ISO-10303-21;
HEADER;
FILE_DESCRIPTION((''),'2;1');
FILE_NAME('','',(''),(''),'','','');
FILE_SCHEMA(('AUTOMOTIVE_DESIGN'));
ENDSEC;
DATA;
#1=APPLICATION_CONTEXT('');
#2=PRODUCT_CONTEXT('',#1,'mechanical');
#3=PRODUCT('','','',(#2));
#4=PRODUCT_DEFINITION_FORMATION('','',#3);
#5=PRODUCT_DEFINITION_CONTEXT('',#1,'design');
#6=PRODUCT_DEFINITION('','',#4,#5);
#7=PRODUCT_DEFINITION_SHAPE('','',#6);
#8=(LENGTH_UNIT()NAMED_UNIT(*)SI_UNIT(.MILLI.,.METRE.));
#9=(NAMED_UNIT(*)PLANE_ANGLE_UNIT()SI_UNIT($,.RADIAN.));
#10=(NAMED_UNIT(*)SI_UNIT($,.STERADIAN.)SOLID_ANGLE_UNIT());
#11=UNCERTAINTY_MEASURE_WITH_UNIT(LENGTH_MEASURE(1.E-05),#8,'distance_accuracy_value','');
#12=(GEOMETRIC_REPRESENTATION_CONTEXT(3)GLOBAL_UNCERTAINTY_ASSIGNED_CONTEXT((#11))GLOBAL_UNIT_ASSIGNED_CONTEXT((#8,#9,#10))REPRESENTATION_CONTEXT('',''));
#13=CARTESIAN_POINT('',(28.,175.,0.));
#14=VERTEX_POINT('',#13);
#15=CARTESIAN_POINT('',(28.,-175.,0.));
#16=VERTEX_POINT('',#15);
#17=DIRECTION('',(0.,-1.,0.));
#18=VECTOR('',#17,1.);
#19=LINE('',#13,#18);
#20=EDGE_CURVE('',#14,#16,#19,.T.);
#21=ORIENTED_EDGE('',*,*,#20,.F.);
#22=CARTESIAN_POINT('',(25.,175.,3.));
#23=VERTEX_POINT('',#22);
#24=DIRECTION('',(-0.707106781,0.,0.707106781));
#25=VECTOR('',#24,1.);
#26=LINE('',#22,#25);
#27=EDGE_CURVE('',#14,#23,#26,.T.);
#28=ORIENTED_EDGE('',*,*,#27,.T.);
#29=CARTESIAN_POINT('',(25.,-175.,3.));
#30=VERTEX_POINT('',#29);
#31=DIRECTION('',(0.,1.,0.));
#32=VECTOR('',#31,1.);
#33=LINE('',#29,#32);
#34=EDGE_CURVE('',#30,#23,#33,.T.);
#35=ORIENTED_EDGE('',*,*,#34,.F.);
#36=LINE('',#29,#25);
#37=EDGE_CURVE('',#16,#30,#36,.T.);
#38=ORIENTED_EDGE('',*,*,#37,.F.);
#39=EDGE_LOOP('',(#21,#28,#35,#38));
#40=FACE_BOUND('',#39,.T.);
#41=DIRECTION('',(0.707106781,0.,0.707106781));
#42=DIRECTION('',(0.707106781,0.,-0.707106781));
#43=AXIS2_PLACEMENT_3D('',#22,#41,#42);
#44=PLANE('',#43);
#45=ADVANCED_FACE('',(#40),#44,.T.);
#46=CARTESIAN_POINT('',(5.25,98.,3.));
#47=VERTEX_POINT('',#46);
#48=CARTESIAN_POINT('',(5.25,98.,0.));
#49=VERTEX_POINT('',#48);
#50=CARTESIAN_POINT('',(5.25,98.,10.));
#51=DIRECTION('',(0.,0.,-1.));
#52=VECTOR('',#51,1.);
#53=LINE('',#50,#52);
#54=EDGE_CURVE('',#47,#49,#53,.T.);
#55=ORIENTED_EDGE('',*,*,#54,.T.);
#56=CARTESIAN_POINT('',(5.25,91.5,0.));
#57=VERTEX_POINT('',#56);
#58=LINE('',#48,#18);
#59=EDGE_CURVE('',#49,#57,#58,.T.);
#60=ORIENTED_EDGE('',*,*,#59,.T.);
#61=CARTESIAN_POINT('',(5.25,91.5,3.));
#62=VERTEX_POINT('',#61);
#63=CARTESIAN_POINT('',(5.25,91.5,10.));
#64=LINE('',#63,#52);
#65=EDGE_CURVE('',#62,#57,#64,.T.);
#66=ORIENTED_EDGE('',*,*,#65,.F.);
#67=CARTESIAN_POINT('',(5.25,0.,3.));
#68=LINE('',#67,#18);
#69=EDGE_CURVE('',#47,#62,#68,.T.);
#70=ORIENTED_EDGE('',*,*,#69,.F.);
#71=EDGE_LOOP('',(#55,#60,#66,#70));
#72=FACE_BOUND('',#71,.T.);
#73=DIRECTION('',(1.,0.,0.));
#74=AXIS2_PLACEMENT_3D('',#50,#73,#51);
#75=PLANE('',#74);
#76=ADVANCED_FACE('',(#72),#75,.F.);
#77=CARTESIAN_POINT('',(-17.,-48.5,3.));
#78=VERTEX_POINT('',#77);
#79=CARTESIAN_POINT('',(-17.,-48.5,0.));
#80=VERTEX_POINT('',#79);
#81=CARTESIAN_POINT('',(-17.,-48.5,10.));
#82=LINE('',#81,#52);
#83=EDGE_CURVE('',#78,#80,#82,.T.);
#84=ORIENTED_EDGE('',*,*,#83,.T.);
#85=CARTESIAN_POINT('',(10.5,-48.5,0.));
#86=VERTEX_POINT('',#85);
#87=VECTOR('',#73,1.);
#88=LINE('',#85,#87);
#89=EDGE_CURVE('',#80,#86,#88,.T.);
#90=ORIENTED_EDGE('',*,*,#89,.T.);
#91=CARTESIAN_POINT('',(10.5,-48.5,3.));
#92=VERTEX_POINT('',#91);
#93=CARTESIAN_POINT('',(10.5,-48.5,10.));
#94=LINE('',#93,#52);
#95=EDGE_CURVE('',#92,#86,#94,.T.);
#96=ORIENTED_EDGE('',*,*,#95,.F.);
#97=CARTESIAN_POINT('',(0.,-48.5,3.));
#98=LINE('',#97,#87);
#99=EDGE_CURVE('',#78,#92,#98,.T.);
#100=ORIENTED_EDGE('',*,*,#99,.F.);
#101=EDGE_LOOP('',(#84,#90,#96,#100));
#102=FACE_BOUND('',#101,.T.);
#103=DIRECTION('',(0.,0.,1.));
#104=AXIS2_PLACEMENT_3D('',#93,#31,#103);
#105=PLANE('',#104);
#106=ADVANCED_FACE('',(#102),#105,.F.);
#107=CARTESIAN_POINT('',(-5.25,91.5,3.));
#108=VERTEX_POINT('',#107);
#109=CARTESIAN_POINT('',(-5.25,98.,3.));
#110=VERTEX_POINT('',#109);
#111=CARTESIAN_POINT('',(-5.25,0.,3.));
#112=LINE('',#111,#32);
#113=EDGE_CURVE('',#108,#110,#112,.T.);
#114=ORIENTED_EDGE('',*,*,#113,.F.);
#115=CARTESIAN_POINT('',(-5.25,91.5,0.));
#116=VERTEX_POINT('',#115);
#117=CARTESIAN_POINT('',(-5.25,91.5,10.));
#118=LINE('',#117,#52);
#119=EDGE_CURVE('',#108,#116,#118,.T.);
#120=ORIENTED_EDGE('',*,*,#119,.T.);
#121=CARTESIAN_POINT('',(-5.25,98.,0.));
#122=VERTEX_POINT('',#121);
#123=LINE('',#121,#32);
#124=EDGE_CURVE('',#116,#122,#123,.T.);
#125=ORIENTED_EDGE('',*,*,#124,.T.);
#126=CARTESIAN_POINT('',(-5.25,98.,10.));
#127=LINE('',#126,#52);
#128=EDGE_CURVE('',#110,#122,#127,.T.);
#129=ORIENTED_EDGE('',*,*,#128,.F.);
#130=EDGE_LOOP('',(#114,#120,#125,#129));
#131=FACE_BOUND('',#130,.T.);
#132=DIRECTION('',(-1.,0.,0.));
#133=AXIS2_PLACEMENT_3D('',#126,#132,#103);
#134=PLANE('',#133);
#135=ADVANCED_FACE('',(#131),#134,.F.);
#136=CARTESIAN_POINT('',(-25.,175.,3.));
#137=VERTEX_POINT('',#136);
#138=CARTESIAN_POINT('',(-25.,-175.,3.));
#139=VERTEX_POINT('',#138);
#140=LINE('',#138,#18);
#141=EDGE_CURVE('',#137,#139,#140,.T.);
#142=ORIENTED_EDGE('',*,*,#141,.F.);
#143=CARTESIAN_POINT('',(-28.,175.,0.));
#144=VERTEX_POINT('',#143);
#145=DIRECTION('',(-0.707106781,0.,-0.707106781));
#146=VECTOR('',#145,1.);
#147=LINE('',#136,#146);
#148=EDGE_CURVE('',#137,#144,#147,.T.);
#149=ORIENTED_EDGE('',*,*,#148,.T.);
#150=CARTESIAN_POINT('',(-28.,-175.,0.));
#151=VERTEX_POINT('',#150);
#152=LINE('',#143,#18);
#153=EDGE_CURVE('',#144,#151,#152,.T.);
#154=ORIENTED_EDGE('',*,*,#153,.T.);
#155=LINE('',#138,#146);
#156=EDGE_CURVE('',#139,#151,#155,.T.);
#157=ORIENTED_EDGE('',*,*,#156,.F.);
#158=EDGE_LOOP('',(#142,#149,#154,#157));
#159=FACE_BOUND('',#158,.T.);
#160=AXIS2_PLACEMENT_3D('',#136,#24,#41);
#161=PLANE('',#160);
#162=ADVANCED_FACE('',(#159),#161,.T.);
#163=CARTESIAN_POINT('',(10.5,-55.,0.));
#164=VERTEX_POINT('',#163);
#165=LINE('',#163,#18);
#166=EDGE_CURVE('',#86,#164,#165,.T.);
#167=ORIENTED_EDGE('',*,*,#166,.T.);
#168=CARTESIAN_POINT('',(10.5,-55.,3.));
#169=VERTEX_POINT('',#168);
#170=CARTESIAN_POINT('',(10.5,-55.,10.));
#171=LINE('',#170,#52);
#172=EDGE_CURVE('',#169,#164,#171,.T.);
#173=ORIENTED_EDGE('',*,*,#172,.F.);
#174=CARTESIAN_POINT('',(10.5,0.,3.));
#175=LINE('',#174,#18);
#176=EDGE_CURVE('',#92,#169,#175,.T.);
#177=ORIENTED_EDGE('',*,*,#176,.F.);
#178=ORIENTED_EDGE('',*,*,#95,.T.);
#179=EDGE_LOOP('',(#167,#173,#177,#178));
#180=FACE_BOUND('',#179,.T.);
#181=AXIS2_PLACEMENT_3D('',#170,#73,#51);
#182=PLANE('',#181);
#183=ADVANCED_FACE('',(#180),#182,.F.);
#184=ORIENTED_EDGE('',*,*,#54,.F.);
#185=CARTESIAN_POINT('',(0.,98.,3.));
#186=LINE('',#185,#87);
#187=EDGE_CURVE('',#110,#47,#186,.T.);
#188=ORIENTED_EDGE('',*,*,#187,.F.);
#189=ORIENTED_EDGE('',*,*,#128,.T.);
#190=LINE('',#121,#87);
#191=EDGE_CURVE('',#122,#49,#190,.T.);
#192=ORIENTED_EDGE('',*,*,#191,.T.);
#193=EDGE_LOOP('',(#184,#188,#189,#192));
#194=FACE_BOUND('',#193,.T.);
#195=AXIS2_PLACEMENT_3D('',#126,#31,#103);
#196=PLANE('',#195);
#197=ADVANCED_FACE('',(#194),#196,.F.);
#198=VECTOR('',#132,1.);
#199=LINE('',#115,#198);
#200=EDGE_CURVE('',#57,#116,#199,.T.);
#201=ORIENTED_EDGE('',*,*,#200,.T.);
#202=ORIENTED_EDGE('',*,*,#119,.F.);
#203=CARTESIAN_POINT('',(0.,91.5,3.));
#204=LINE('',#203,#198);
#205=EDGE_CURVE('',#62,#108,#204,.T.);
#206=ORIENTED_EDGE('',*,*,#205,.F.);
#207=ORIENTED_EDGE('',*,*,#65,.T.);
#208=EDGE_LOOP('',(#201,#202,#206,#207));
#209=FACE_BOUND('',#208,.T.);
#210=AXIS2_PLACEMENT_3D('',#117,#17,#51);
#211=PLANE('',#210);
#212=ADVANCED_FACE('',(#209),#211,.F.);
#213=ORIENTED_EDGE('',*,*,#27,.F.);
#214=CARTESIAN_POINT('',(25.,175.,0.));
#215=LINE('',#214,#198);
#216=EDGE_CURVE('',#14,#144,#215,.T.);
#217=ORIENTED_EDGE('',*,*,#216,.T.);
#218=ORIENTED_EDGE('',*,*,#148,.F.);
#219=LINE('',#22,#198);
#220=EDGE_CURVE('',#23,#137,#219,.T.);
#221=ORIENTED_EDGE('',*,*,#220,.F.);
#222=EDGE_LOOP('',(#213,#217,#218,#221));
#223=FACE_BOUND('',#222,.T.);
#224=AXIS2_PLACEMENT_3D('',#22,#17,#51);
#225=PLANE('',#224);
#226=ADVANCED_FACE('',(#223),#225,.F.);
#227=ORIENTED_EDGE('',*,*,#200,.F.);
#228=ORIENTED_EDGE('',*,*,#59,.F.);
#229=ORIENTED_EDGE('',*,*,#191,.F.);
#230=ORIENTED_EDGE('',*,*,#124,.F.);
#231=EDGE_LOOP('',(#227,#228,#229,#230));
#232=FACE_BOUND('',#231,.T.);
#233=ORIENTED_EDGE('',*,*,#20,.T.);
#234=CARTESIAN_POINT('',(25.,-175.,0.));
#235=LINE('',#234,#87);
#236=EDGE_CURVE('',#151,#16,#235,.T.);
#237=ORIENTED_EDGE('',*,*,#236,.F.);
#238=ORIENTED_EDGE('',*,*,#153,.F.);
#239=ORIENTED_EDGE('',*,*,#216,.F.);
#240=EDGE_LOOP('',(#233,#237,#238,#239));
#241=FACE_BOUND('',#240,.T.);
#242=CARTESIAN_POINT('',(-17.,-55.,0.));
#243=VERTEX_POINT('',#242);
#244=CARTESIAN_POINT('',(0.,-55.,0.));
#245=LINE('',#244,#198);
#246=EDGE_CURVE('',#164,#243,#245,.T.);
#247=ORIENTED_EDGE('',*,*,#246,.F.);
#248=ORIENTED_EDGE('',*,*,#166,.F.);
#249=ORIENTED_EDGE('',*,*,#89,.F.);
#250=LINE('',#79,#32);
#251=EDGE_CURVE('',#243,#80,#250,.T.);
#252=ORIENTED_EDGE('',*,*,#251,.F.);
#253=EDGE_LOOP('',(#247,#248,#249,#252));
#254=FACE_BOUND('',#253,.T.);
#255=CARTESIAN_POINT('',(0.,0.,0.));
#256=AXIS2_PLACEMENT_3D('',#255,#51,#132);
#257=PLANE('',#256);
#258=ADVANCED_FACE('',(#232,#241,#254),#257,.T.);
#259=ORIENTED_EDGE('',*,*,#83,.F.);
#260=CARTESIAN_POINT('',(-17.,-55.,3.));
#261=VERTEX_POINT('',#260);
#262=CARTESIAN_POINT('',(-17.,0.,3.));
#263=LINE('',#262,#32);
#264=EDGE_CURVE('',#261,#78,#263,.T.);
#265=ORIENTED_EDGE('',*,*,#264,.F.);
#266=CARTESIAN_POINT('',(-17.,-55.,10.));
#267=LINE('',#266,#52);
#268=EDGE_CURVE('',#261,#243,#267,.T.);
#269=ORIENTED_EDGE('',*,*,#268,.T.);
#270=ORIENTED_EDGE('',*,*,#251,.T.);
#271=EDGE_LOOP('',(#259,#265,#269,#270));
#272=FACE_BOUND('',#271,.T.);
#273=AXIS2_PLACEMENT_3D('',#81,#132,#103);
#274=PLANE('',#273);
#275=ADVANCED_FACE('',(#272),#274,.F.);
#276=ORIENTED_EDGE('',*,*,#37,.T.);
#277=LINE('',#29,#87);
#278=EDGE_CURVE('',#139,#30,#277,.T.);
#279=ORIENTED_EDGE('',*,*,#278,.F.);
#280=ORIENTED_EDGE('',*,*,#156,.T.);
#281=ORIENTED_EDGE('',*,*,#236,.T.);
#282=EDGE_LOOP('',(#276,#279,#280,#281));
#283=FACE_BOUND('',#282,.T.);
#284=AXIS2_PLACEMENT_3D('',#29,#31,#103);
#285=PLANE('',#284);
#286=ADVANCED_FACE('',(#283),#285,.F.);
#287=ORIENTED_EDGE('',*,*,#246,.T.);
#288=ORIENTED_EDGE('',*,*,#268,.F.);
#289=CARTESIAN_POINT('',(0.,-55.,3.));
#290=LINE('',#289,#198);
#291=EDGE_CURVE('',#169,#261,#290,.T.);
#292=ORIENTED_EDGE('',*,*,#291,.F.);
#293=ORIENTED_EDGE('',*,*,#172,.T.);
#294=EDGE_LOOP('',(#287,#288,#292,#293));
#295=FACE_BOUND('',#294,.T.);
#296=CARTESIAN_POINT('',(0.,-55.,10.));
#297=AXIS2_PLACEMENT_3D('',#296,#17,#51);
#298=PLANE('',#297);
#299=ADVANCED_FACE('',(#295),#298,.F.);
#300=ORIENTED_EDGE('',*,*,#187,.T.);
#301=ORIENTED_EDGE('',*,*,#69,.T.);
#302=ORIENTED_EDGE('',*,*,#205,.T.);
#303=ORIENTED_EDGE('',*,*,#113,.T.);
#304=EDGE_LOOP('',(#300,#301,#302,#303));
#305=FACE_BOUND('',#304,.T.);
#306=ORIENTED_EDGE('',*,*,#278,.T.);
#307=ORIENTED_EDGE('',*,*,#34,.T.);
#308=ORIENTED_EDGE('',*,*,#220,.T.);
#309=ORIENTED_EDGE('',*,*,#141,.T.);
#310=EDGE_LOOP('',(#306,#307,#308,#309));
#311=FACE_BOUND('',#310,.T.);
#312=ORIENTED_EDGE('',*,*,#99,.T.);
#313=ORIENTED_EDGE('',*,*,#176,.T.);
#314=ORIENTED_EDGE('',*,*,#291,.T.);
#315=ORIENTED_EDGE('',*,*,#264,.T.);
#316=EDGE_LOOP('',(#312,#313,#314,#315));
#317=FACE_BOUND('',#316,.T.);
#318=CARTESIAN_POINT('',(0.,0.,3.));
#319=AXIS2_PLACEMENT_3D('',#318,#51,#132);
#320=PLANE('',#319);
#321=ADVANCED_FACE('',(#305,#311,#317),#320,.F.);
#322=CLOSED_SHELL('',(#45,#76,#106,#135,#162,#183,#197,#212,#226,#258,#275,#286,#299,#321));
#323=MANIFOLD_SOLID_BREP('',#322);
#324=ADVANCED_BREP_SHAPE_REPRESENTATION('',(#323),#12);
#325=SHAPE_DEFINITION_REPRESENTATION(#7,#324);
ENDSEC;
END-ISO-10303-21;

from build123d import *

# Parameters (mm, degrees)
SKETCH1_W           = 350
SKETCH1_H           = 50
BOSS_EXTRUDE1_DEPTH = 3
BOSS_EXTRUDE2_DEPTH = 350
SKETCH3_W           = 10.5
SKETCH3_H           = 6.5
CUT_EXTRUDE1_DEPTH  = 10


with BuildPart() as part:
    # Sketch1 → Boss-Extrude1 (new body)
    with BuildSketch(Plane(origin=(0, 0, 0), x_dir=(0, 1, 0), z_dir=(0, 0, 1))):
        Rectangle(SKETCH1_W, SKETCH1_H)
    extrude(amount=BOSS_EXTRUDE1_DEPTH)

    # Sketch2 → Boss-Extrude2 (add, through all)
    with BuildSketch(Plane.XZ.offset(175)):
        Polygon((-25, 3), (-25, 0), (-28, 0), align=None)
        Polygon((25, 3), (28, 0), (25, 0), align=None)
    extrude(amount=-BOSS_EXTRUDE2_DEPTH)

    # Sketch3 → Cut-Extrude1 (cut)
    with BuildSketch(Plane(origin=(0, 0, 0), x_dir=(1, 0, 0), z_dir=(0, 0, -1))):
        Polygon((0, 55), (10.5, 55), (10.5, 48.5), (-17, 48.5), (-17, 55), align=None)
        with Locations((0, -94.75)):
            Rectangle(SKETCH3_W, SKETCH3_H)
    extrude(amount=-CUT_EXTRUDE1_DEPTH, mode=Mode.SUBTRACT)


solid = part.part
